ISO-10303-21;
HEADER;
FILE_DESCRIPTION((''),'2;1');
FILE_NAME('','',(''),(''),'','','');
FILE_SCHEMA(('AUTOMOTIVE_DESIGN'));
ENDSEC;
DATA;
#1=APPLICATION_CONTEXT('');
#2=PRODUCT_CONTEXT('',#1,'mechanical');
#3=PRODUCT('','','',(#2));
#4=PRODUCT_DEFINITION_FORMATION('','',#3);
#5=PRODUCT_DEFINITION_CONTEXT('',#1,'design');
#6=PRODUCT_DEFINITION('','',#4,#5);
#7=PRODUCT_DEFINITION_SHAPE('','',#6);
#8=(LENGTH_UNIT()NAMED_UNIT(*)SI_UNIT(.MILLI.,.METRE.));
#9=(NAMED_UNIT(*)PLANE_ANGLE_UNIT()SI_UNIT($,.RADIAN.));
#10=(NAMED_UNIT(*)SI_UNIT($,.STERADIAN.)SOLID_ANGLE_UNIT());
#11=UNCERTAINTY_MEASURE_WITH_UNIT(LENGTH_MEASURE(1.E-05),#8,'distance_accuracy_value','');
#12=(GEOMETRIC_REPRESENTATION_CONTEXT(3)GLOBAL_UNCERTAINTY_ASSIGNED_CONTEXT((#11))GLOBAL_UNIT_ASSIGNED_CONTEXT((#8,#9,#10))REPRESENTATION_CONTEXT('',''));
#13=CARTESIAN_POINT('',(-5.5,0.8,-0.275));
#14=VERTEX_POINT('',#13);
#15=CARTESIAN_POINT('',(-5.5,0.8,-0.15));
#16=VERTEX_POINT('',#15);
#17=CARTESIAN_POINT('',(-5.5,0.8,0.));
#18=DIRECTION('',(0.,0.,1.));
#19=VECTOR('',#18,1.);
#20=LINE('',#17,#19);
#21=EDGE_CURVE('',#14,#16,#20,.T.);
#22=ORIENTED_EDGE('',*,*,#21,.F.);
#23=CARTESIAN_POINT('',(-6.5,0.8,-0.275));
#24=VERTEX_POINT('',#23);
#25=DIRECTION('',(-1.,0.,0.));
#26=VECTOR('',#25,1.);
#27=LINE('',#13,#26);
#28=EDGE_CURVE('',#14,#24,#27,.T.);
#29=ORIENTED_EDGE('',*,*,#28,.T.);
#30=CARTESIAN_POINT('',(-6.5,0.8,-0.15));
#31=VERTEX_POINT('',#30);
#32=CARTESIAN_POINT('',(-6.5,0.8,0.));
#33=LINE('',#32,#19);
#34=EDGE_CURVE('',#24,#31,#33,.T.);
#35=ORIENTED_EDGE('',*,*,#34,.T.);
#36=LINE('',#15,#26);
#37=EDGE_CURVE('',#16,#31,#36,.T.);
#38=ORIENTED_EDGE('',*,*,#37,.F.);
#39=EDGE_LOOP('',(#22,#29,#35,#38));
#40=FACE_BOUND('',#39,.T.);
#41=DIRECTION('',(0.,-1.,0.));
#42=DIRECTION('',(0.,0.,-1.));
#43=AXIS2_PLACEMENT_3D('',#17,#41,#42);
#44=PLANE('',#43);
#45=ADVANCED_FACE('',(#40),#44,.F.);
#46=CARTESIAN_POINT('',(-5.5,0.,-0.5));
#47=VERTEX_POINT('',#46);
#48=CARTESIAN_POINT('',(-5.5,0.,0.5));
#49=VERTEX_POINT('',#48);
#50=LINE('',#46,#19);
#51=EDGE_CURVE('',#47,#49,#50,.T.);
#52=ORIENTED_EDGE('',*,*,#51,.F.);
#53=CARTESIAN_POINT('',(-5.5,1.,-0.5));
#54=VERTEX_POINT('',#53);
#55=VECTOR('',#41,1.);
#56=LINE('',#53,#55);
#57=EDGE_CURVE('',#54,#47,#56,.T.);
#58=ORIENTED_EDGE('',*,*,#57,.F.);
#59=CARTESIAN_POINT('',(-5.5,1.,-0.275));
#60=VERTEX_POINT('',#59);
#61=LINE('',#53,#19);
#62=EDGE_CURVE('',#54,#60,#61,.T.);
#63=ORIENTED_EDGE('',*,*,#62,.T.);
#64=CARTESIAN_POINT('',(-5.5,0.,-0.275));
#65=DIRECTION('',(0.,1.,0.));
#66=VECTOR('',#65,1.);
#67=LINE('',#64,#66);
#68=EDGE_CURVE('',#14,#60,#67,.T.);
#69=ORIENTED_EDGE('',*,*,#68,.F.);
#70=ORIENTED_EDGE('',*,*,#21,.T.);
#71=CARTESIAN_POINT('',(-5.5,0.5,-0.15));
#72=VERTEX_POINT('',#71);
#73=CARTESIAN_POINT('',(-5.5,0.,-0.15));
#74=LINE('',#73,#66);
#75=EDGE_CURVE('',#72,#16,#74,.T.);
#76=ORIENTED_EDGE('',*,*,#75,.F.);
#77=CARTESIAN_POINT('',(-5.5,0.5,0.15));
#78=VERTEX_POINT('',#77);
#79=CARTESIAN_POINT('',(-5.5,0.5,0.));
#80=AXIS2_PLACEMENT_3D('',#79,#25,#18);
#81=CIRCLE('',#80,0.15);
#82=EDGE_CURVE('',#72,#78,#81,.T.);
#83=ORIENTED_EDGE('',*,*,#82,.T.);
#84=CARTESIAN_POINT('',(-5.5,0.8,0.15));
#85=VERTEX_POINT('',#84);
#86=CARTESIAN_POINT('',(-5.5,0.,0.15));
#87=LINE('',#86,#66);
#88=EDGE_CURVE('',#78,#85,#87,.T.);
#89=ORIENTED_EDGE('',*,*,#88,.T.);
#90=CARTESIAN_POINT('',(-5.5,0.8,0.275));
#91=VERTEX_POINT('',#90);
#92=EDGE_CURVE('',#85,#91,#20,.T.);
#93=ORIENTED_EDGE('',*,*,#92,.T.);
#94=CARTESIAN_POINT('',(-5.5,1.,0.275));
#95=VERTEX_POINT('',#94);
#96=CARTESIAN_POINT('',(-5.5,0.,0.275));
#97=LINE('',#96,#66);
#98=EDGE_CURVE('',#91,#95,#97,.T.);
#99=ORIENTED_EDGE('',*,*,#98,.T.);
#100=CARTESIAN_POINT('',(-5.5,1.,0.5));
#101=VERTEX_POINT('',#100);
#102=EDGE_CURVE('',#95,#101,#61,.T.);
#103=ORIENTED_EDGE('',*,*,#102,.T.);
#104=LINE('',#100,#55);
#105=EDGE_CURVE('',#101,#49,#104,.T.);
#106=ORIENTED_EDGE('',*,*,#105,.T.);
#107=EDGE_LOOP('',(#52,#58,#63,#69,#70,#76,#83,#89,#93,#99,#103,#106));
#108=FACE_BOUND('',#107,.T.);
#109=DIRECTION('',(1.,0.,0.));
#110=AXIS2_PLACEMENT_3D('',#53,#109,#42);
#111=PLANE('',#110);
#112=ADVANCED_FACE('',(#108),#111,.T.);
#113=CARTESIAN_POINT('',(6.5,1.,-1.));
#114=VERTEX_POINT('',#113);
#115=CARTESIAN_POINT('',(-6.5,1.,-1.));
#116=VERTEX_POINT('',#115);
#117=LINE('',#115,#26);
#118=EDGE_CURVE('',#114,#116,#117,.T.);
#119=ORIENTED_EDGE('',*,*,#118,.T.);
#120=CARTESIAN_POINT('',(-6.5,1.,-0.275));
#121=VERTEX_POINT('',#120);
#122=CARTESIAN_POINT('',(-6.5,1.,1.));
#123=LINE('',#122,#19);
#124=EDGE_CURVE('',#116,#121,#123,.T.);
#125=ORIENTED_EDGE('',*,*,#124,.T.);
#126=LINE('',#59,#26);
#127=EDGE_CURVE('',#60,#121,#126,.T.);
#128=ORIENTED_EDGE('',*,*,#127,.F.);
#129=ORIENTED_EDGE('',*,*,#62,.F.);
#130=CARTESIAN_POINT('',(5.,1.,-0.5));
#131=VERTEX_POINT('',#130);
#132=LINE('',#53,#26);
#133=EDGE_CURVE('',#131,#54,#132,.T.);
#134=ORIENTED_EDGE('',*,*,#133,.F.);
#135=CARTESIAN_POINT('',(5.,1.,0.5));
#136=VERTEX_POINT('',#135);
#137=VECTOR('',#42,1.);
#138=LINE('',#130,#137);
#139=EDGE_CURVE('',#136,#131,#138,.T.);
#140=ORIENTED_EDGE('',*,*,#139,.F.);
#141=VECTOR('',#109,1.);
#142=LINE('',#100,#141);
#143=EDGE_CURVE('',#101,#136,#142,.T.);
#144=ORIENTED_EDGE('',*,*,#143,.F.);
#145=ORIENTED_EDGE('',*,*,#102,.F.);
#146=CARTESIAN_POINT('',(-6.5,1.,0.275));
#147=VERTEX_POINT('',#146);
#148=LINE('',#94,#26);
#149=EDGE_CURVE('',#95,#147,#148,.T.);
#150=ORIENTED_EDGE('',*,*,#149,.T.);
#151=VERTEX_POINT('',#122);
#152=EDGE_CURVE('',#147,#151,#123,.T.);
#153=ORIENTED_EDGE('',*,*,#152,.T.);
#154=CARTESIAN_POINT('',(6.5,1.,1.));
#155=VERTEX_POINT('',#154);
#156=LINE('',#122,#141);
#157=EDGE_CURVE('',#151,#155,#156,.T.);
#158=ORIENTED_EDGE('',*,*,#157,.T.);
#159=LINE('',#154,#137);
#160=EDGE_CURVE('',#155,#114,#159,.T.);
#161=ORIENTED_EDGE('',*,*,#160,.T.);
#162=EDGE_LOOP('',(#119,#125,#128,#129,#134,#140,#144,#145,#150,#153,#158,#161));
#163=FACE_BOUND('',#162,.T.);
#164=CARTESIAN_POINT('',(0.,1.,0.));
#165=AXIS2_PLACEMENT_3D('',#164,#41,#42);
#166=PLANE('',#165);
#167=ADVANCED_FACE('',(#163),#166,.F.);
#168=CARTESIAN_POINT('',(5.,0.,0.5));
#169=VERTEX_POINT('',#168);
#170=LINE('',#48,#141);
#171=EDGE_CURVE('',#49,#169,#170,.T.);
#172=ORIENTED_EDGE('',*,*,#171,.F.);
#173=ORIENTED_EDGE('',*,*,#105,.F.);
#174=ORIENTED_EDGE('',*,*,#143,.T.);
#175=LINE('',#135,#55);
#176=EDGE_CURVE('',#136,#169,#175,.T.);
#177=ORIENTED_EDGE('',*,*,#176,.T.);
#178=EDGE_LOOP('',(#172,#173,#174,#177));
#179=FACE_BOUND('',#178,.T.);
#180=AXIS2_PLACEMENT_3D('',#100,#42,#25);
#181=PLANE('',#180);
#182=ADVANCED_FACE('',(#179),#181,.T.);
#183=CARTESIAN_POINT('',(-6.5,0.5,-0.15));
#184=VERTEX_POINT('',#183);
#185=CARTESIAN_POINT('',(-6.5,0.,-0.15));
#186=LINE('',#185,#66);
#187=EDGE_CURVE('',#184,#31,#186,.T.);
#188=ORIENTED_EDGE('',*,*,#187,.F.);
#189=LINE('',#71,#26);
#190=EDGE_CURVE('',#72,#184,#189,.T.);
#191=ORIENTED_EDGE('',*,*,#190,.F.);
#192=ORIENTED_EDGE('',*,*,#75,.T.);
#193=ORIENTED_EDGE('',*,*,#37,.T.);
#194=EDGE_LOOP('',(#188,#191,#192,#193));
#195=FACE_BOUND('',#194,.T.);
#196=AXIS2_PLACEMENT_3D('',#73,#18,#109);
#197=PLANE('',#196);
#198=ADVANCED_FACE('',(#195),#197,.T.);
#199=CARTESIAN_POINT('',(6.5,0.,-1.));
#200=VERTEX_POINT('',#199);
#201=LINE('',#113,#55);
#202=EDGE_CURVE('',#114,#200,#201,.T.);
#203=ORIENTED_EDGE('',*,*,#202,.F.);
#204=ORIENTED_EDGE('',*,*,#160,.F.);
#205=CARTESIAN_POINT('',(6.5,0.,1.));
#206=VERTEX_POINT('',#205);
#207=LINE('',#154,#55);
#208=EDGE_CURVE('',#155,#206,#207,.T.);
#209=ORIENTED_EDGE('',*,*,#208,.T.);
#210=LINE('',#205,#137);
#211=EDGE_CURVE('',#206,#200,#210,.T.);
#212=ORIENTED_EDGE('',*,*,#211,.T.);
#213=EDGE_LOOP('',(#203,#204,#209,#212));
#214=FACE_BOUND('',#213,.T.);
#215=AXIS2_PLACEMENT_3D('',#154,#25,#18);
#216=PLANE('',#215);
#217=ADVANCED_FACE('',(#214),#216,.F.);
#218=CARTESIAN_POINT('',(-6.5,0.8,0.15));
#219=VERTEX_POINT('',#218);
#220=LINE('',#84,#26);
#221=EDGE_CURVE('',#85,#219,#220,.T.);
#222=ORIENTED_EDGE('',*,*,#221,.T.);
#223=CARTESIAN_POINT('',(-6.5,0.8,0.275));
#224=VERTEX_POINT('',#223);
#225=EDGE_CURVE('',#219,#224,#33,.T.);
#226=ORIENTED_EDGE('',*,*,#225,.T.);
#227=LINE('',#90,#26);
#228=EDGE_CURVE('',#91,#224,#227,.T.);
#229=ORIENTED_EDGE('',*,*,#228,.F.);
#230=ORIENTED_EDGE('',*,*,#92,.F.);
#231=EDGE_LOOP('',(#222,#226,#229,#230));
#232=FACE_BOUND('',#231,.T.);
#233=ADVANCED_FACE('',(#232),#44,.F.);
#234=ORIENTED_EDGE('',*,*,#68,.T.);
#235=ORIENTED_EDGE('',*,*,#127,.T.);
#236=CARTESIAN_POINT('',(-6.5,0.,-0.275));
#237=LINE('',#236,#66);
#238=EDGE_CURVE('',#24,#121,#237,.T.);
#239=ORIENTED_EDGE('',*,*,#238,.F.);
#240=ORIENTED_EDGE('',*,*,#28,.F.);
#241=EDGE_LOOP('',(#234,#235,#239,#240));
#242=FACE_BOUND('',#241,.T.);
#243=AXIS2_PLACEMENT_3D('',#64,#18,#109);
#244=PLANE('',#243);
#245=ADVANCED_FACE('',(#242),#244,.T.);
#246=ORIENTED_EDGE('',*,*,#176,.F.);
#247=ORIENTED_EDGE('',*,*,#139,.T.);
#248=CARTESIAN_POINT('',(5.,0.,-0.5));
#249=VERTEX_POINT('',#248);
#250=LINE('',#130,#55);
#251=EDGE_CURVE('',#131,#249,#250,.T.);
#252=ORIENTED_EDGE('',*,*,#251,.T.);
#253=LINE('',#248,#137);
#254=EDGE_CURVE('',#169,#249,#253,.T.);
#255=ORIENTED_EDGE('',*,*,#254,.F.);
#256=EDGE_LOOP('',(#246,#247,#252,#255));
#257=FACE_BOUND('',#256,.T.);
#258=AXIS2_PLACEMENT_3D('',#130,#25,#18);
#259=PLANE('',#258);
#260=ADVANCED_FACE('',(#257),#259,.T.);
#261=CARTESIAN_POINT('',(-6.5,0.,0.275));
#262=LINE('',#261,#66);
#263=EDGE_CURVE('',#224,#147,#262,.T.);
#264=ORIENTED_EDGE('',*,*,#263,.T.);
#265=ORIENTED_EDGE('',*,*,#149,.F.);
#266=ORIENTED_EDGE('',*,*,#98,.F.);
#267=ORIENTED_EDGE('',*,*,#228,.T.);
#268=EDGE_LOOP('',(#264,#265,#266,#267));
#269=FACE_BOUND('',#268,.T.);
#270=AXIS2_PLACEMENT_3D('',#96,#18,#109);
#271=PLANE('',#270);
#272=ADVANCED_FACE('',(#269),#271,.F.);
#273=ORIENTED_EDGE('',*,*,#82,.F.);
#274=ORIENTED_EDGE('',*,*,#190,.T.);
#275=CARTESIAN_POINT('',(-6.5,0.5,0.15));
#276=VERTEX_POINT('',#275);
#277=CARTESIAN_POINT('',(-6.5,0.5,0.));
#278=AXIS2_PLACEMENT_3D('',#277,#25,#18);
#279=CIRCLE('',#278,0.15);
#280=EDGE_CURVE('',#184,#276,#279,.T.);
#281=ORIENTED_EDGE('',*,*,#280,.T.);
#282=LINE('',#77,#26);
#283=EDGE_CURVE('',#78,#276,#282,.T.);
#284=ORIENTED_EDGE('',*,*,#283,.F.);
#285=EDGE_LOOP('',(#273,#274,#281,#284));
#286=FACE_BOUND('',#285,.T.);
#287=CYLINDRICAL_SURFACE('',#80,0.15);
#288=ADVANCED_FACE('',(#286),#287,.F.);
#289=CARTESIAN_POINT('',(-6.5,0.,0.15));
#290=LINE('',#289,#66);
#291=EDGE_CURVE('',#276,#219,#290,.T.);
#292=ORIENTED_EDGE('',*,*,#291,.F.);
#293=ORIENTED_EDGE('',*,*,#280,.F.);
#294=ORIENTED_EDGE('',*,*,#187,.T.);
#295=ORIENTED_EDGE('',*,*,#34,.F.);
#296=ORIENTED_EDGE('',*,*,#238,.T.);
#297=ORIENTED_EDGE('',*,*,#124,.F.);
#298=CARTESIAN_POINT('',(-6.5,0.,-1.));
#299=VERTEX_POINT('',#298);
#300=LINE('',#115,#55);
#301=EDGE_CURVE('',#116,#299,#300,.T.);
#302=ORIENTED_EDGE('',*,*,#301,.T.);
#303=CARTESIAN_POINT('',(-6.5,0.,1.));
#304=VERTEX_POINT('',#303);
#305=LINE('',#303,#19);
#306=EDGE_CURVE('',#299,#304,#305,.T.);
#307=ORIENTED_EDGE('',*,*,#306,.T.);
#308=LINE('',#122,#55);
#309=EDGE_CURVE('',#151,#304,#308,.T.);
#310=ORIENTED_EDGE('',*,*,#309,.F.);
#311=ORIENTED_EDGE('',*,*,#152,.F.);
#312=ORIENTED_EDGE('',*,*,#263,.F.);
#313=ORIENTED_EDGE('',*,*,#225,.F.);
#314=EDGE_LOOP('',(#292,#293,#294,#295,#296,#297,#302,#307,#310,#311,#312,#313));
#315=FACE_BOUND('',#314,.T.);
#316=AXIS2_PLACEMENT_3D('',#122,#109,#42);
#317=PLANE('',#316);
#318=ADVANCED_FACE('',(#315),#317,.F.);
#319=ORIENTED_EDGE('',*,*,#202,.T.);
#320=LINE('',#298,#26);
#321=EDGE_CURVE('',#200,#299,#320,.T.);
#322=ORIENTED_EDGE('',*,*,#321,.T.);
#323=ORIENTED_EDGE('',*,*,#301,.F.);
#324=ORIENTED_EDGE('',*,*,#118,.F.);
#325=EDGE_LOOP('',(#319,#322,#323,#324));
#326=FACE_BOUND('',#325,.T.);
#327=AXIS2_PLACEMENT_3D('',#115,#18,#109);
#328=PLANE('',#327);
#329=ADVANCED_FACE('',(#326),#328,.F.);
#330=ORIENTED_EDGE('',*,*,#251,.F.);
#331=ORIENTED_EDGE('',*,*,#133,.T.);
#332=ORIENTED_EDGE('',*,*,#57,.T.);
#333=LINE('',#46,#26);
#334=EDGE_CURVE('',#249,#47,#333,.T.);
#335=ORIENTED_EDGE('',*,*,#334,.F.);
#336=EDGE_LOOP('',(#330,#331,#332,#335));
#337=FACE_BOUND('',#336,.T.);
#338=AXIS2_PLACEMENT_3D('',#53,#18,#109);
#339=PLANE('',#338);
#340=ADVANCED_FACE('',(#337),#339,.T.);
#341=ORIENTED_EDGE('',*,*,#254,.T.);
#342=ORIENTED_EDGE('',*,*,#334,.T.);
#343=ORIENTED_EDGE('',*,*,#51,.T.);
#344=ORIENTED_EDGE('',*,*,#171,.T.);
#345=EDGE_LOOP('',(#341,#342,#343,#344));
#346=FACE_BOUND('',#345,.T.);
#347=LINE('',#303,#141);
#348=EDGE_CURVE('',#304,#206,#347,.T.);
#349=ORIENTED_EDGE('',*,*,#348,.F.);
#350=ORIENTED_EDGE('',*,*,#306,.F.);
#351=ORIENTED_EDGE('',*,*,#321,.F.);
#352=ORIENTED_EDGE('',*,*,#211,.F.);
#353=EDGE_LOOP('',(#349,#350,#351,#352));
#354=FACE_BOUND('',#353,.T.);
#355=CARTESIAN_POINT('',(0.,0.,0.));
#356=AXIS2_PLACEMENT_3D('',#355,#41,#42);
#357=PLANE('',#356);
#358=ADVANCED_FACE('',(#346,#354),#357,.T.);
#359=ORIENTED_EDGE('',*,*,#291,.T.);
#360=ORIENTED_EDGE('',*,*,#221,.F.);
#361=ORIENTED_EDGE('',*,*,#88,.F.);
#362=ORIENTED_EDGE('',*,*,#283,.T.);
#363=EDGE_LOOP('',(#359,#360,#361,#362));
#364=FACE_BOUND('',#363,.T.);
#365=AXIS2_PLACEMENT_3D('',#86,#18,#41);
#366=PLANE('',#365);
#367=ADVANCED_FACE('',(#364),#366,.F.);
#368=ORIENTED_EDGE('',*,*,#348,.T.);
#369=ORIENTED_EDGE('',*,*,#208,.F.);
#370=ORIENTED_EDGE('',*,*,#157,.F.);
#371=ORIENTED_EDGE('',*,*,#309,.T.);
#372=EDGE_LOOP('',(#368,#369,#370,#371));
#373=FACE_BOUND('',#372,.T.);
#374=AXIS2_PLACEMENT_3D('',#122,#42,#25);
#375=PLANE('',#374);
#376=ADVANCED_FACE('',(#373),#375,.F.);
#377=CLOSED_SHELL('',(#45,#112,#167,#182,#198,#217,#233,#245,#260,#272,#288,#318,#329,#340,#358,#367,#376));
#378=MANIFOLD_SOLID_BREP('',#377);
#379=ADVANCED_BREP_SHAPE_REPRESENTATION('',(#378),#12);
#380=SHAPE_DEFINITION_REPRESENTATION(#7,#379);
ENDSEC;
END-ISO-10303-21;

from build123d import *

# Parameters (mm, degrees)
SKETCH1_W           = 13
SKETCH1_H           = 2
SKETCH1_W_2         = 10.5
SKETCH1_H_2         = 1
BOSS_EXTRUDE1_DEPTH = 1
CUT_EXTRUDE2_DEPTH  = 1


with BuildPart() as part:
    # Sketch1 → Boss-Extrude1 (new body)
    with BuildSketch(Plane(origin=(0, 0, 0), x_dir=(1, 0, 0), z_dir=(0, 1, 0))):
        Rectangle(SKETCH1_W, SKETCH1_H)
        with Locations((-0.25, 0)):
            Rectangle(SKETCH1_W_2, SKETCH1_H_2, mode=Mode.SUBTRACT)
    extrude(amount=BOSS_EXTRUDE1_DEPTH)

    # Sketch2 → Cut-Extrude2 (cut)
    with BuildSketch(Plane.ZY.offset(6.5)):
        with BuildLine():
            Line((0.15, 0.5), (0.15, 0.8))
            Line((0.15, 0.8), (0.275, 0.8))
            Line((0.275, 0.8), (0.275, 1))
            Line((0.275, 1), (0.15, 1))
            Line((0.15, 1), (-0.15, 1))
            Line((-0.15, 1), (-0.275, 1))
            Line((-0.275, 1), (-0.275, 0.8))
            Line((-0.275, 0.8), (-0.15, 0.8))
            Line((-0.15, 0.8), (-0.15, 0.5))
            ThreePointArc((-0.15, 0.5), (0, 0.35), (0.15, 0.5))
        make_face()
    extrude(amount=-CUT_EXTRUDE2_DEPTH, mode=Mode.SUBTRACT)


solid = part.part
